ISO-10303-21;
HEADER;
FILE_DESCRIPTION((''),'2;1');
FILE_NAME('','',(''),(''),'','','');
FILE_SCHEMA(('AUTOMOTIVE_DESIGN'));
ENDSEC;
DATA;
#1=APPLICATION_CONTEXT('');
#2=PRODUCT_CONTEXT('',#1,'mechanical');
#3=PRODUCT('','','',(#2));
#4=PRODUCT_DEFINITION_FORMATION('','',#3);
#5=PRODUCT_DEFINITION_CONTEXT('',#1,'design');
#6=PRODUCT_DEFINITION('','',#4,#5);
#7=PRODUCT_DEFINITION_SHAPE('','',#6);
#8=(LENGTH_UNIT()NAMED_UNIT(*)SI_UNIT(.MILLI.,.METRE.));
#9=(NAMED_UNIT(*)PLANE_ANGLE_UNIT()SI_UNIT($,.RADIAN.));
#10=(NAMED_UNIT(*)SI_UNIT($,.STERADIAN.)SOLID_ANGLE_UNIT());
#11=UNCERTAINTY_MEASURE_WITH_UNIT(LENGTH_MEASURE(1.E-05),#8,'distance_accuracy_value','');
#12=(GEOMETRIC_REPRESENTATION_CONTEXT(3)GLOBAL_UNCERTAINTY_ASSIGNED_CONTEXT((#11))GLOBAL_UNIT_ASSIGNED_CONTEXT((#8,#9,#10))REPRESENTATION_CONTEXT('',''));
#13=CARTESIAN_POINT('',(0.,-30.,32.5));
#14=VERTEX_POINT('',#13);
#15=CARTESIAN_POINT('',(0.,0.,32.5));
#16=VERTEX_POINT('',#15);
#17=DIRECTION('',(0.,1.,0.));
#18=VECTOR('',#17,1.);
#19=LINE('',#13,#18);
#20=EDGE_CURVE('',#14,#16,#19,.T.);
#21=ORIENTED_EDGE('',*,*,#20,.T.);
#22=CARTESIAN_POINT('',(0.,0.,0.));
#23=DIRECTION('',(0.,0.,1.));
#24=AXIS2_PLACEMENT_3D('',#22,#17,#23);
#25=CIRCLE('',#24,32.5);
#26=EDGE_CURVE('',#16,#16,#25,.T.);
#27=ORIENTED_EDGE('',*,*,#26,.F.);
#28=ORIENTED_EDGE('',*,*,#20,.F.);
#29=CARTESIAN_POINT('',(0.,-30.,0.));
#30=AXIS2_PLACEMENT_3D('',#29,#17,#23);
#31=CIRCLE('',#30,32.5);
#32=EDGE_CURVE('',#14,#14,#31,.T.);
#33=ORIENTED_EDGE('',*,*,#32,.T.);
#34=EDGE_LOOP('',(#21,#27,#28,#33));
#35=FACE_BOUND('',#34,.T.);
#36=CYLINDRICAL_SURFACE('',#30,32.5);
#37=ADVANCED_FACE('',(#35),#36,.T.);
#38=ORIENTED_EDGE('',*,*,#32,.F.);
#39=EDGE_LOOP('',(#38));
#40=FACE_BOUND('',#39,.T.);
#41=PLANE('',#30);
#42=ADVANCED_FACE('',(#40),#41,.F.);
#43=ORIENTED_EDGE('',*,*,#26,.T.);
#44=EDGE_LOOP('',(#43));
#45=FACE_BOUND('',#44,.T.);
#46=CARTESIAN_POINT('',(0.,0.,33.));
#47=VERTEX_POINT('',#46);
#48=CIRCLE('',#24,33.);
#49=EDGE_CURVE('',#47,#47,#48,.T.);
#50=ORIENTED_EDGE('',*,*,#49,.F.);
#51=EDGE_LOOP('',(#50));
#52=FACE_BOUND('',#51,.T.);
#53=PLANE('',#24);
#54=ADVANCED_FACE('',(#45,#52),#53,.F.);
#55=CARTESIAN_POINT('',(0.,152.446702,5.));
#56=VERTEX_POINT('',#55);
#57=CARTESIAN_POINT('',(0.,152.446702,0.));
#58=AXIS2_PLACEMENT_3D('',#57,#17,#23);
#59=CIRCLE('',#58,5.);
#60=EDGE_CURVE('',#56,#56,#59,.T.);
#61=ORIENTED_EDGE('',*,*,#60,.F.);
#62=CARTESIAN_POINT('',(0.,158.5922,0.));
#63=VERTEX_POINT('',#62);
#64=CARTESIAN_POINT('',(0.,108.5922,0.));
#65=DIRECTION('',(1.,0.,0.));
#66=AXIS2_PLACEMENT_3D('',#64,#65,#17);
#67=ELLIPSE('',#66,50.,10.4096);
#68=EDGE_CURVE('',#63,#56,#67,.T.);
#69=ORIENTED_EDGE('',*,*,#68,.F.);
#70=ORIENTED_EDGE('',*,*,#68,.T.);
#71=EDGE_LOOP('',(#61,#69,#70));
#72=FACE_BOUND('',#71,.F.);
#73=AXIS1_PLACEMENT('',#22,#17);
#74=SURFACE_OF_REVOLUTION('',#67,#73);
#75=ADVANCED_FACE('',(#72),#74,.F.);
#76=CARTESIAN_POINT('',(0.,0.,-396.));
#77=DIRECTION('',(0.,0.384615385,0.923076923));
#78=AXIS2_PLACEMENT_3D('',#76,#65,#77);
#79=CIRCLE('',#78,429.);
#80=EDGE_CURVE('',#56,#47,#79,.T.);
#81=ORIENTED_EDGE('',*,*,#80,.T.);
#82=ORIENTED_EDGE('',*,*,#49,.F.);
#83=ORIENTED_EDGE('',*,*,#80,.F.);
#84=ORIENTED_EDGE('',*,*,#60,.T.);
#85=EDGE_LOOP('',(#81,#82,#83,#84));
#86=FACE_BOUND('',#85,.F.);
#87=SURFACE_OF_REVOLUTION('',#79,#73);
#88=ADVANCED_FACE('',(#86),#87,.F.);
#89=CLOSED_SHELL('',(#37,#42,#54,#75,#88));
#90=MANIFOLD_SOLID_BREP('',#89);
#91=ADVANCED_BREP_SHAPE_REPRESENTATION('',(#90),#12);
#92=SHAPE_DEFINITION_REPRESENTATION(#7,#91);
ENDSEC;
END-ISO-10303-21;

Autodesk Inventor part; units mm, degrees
ref_plane "YZ Plane" through (0, 0, 0) normal (1, 0, 0) x (0, 1, 0)
ref_plane "XZ Plane" through (0, 0, 0) normal (0, 1, 0) x (-1, 0, 0)
ref_plane "XY Plane" through (0, 0, 0) normal (0, 0, 1) x (1, 0, 0)
sketch "Sketch1" plane through (0, 0, 0) normal (1, 0, 0) x (0, 1, 0)
  line L0 (0, 0) -> (-30, 0)
  line L1 (-30, 0) -> (-30, 32.5)
  line L2 (-30, 32.5) -> (0, 32.5)
  line L3 (0, 32.5) -> (0, 0)
  line L4 (0, 0) -> (0, 33)
  line L5 (0, 0) -> (165, 0)
  arc A0 (165, 0) -> (0, 33) centre (0, -396) ccw
  ellipse E0 centre (108.5922, 0) end of major axis (158.5922, 0) minor radius 10.4096 (158.5922, 0) -> (152.4467, 5) ccw
  line L6 (152.4467, 5) -> (150.5459, 0)
  point P0 (0, 32.5)
  dimension "d8" = 50
  dimension "d0" = 30
  dimension "d1" = 32.5
  dimension "d2" = 33
  dimension "d3" = 165
  dimension "d10" = 5
  dimension "d13" = 0
revolve "Revolution1" add sketch "Sketch1" angle 360 about axis through (0, 0, 0) along (0, 1, 0) contours L0 L1 L2 L3 | L3 L4 A0 L6 L5 | L6 E0 L5
properties part number "nosecone bt80"
